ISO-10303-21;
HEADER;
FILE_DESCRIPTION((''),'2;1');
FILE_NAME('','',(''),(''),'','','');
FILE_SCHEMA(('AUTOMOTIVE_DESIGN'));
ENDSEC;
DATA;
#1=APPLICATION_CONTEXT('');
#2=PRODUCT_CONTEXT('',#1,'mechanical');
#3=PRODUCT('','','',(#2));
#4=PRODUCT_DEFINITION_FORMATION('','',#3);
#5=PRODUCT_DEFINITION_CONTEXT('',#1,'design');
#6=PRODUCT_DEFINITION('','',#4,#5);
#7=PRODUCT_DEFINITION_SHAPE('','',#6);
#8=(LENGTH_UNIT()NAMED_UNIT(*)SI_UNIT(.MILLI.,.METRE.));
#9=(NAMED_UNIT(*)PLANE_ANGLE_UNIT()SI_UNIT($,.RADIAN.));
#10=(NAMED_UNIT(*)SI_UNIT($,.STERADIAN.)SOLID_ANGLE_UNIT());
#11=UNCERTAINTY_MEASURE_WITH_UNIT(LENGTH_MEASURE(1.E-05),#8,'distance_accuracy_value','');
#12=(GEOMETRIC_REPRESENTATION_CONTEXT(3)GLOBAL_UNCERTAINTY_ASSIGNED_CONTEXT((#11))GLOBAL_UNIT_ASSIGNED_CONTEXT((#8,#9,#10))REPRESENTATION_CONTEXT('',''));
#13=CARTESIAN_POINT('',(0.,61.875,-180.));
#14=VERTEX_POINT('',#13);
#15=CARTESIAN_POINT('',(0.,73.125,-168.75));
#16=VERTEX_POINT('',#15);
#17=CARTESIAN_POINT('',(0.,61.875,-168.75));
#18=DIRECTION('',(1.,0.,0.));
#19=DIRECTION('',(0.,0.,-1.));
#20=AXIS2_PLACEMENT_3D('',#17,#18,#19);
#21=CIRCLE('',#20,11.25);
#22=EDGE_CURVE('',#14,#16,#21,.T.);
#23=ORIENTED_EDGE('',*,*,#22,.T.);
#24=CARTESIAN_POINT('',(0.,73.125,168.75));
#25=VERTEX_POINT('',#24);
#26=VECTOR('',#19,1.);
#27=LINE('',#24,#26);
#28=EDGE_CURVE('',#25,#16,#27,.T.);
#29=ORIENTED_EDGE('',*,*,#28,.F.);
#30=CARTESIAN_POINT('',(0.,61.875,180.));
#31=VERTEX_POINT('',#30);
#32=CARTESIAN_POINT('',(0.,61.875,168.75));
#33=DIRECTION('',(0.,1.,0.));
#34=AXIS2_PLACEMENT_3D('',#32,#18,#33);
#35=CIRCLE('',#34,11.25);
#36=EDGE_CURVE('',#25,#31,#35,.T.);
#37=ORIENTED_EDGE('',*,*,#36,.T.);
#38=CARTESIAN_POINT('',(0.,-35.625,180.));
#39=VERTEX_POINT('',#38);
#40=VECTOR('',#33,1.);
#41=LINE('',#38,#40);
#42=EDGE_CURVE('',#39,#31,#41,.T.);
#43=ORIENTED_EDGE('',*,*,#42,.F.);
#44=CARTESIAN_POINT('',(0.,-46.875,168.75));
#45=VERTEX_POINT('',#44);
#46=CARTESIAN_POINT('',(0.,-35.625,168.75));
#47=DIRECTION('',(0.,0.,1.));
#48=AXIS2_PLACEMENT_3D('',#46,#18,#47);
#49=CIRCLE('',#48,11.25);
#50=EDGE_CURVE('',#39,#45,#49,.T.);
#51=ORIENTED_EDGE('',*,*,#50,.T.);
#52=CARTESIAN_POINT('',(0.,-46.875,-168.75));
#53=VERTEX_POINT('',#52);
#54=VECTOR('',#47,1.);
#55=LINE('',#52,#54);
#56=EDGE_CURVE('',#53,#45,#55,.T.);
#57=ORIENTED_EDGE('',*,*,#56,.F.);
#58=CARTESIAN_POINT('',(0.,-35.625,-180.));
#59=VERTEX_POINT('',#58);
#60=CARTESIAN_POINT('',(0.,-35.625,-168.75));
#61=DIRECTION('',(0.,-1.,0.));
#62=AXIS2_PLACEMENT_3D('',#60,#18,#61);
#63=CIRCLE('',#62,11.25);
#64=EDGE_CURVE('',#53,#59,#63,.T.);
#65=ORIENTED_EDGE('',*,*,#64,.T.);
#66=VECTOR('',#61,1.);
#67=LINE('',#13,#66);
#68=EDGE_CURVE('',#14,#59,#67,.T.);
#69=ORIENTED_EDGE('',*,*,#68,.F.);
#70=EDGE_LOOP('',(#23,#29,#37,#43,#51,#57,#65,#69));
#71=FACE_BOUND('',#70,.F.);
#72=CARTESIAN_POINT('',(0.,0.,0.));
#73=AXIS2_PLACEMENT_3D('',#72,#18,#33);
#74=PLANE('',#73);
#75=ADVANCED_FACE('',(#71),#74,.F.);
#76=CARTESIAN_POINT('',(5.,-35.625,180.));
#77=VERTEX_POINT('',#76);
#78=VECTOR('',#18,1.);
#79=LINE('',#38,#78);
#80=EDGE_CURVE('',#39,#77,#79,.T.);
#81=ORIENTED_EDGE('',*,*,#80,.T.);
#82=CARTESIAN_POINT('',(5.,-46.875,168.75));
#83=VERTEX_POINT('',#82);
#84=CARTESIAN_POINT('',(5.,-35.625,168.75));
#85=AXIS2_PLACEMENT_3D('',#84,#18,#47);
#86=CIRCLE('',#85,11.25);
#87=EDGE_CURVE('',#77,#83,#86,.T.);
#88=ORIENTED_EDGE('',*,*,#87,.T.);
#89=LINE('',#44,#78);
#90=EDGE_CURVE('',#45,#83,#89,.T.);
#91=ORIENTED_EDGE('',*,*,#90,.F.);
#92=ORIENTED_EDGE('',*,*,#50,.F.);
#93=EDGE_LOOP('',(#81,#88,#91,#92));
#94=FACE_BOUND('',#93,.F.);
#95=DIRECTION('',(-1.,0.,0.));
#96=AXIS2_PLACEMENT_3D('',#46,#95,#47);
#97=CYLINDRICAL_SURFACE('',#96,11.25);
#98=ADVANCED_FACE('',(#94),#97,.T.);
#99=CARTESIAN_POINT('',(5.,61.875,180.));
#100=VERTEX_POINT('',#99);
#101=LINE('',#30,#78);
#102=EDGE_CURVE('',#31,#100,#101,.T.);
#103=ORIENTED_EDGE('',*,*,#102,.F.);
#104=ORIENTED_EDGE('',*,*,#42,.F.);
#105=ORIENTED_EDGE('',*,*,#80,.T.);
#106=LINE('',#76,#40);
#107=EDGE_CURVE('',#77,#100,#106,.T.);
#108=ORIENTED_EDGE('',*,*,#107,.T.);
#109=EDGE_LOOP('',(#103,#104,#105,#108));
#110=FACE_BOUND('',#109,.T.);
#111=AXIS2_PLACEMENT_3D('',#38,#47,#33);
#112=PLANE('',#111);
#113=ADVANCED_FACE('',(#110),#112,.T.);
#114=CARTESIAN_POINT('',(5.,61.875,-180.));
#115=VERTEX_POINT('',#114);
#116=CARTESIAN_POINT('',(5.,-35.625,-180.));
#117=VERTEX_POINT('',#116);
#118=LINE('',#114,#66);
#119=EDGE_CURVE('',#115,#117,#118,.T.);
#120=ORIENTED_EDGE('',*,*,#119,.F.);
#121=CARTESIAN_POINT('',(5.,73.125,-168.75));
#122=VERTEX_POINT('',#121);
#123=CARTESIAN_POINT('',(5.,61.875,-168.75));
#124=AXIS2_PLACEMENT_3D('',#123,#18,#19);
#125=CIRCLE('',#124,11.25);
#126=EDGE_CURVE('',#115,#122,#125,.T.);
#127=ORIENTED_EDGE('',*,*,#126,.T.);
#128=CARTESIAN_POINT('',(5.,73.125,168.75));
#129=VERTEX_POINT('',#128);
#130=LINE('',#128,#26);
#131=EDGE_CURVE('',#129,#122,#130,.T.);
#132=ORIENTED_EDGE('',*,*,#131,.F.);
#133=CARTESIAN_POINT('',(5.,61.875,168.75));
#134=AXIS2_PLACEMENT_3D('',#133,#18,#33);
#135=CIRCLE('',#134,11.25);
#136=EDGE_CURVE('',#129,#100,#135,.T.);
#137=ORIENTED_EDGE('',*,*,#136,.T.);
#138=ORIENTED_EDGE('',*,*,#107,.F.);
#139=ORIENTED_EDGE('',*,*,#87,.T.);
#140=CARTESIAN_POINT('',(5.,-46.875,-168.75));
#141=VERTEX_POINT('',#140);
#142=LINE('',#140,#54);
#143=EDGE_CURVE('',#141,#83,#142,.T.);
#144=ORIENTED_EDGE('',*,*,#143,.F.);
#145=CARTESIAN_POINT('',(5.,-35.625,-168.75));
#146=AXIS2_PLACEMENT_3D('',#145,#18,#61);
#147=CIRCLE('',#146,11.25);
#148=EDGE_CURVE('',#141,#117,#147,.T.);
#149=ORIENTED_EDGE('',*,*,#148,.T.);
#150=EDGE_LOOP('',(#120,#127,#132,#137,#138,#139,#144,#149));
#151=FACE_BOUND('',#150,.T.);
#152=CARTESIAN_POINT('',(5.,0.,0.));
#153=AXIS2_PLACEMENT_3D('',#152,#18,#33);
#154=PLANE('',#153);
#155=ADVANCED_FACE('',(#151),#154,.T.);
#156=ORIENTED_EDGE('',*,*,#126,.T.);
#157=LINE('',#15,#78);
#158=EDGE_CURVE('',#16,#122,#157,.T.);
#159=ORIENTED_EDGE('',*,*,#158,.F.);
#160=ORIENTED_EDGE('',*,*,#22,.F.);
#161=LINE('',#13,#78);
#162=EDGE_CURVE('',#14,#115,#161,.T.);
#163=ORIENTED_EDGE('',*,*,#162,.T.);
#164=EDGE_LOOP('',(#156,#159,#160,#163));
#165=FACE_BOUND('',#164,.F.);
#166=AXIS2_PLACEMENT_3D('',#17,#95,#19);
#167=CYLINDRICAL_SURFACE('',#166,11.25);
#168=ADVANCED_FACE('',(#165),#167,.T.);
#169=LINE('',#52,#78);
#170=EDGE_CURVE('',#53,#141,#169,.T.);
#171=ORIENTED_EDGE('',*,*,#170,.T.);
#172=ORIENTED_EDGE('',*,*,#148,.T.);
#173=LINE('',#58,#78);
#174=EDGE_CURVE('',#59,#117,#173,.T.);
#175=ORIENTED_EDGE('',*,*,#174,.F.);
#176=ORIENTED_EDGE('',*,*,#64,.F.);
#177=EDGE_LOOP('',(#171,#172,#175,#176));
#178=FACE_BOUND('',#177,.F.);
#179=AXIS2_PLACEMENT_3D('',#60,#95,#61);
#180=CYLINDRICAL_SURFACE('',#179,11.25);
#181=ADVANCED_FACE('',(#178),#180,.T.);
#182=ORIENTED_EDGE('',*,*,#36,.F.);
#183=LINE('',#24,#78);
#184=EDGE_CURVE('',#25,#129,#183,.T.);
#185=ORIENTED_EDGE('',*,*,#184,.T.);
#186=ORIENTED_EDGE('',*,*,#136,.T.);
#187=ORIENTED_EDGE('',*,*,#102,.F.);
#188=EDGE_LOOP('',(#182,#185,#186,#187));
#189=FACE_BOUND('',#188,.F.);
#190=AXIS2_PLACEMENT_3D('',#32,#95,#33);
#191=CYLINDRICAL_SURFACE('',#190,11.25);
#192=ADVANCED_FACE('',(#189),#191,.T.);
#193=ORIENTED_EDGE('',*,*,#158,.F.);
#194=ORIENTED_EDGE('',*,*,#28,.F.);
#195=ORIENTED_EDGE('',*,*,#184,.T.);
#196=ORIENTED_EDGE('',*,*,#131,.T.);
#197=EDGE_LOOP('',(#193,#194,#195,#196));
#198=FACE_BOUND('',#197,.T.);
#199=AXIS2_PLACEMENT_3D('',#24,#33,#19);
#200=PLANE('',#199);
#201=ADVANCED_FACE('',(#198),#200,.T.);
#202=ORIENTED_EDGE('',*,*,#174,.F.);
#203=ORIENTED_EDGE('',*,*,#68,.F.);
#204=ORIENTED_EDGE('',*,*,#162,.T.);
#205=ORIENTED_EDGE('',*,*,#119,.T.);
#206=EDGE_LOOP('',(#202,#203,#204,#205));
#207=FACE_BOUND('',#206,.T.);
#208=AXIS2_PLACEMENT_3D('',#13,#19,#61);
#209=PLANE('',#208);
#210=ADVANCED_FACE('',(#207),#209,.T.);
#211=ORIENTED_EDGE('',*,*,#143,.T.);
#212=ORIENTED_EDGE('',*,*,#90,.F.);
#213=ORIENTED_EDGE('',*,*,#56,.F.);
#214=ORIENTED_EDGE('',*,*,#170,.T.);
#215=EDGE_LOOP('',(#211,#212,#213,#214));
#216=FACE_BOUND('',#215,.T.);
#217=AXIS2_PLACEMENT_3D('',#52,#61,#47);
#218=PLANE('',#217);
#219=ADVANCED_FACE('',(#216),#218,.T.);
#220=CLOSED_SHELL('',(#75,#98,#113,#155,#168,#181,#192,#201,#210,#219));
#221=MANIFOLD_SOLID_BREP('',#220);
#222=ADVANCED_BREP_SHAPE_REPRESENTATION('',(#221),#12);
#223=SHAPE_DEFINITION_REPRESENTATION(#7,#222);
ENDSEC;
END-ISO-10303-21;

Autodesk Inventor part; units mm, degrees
ref_plane "YZ Plane" through (0, 0, 0) normal (1, 0, 0) x (0, 1, 0)
ref_plane "XZ Plane" through (0, 0, 0) normal (0, 1, 0) x (-1, 0, 0)
ref_plane "XY Plane" through (0, 0, 0) normal (0, 0, 1) x (1, 0, 0)
sketch "Sketch1" plane through (0, 0, 0) normal (1, 0, 0) x (0, 1, 0)
  line L0 (-35.625, 180) -> (61.875, 180)
  line L1 (73.125, 168.75) -> (73.125, -168.75)
  line L2 (61.875, -180) -> (-35.625, -180)
  line L3 (-46.875, -168.75) -> (-46.875, 168.75)
  arc A0 (73.125, 168.75) -> (61.875, 180) centre (61.875, 168.75) ccw
  arc A1 (61.875, -180) -> (73.125, -168.75) centre (61.875, -168.75) ccw
  arc A2 (-46.875, -168.75) -> (-35.625, -180) centre (-35.625, -168.75) ccw
  arc A3 (-35.625, 180) -> (-46.875, 168.75) centre (-35.625, 168.75) ccw
  dimension "d5" = 360
  dimension "d6" = 120
extrude "Extrusion1" add sketch "Sketch1" along normal blind 5
properties part number "Conveyor Base" material "Pine, Southern"
